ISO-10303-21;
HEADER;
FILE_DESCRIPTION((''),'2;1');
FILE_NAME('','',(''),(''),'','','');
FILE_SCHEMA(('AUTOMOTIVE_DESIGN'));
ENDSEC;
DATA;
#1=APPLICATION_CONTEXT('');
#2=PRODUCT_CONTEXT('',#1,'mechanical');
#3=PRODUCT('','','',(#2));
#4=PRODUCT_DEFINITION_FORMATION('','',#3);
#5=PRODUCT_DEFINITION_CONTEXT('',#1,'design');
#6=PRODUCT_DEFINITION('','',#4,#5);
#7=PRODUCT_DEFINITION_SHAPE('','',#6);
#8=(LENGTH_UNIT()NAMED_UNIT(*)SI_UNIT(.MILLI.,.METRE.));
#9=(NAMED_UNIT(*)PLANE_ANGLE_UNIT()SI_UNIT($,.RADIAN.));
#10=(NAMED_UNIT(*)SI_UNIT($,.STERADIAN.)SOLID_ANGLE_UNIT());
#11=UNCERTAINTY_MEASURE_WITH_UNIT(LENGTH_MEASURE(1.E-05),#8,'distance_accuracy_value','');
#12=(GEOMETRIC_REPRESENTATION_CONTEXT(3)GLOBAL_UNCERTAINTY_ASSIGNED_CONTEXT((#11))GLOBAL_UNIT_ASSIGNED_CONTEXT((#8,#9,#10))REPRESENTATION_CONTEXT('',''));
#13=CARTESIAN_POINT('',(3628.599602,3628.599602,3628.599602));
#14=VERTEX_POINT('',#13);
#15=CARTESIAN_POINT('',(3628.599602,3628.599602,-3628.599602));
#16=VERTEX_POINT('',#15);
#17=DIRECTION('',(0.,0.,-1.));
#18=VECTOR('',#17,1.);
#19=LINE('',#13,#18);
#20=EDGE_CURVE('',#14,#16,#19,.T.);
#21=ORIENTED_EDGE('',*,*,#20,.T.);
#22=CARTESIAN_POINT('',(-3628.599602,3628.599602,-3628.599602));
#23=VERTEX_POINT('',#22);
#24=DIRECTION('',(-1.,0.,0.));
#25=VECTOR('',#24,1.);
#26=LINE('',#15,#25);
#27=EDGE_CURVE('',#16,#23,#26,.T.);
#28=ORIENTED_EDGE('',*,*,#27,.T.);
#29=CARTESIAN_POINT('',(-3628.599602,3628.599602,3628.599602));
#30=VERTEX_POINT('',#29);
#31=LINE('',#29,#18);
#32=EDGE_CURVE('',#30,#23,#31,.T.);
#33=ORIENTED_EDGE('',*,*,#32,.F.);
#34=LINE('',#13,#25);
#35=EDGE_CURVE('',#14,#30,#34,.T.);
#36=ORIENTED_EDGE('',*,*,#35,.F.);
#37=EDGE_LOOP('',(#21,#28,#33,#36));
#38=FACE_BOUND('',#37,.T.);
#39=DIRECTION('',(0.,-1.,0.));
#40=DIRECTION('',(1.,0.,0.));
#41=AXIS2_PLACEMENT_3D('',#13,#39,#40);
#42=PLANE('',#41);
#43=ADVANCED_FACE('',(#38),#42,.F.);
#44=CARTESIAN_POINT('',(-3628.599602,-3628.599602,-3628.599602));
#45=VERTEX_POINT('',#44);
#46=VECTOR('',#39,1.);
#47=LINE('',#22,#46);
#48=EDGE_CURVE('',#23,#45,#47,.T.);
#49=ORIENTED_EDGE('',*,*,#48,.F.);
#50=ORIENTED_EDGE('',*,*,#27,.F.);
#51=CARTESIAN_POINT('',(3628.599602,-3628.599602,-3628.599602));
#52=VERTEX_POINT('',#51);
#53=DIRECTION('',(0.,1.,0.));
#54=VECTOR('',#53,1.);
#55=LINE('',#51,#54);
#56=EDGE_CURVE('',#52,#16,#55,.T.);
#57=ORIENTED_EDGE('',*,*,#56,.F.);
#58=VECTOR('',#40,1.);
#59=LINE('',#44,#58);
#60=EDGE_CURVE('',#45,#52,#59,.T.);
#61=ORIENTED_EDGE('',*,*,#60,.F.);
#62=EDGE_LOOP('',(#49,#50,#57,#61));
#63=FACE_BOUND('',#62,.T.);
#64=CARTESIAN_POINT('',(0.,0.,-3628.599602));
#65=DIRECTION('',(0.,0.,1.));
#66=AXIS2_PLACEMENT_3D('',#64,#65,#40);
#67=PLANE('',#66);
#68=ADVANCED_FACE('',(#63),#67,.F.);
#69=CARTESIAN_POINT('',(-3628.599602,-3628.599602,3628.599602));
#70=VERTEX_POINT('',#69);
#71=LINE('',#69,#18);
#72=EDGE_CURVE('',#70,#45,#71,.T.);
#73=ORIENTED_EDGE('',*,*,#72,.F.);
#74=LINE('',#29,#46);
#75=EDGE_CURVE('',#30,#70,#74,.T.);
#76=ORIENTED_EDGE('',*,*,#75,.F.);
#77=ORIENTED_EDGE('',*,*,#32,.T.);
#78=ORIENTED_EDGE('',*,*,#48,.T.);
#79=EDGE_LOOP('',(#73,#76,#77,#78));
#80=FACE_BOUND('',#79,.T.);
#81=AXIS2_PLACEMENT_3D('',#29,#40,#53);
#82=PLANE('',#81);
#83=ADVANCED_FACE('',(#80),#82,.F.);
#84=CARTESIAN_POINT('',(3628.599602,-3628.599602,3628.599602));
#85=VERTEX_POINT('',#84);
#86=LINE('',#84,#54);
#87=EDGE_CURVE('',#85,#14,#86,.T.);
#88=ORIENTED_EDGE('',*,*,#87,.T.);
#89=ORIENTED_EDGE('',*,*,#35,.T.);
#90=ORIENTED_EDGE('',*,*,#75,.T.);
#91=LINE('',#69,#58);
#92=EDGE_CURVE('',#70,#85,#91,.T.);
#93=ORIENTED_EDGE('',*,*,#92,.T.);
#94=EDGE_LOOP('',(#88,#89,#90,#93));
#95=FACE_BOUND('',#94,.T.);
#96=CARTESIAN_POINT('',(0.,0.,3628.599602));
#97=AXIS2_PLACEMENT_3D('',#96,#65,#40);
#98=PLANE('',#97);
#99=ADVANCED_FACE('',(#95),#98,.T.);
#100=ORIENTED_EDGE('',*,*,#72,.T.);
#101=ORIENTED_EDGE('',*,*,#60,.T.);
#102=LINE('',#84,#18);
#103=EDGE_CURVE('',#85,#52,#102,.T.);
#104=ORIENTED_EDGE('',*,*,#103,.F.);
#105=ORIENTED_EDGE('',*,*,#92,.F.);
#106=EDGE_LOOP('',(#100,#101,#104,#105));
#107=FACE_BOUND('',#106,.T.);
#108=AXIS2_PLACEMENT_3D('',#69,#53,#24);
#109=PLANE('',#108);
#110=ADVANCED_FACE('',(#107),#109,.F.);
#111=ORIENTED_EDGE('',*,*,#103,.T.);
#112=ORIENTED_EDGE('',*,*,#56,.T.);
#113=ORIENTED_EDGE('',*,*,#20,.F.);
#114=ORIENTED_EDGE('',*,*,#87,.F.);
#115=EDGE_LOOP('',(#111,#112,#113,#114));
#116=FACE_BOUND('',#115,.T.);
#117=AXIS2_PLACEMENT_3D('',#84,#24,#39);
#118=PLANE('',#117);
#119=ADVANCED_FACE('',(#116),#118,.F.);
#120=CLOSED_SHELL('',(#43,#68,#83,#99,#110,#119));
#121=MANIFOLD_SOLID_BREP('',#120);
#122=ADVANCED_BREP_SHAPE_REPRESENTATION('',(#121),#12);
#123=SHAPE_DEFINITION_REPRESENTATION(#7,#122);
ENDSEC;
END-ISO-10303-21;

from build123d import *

# Parameters (mm, degrees)
SKETCH1_W           = 7257.1992048
SKETCH1_H           = 7257.1992048
BOSS_EXTRUDE1_DEPTH = 3628.5996024


with BuildPart() as part:
    # Sketch1 → Boss-Extrude1 (new body, symmetric)
    with BuildSketch(Plane.XY):
        Rectangle(SKETCH1_W, SKETCH1_H)
    extrude(amount=BOSS_EXTRUDE1_DEPTH, both=True)


solid = part.part
